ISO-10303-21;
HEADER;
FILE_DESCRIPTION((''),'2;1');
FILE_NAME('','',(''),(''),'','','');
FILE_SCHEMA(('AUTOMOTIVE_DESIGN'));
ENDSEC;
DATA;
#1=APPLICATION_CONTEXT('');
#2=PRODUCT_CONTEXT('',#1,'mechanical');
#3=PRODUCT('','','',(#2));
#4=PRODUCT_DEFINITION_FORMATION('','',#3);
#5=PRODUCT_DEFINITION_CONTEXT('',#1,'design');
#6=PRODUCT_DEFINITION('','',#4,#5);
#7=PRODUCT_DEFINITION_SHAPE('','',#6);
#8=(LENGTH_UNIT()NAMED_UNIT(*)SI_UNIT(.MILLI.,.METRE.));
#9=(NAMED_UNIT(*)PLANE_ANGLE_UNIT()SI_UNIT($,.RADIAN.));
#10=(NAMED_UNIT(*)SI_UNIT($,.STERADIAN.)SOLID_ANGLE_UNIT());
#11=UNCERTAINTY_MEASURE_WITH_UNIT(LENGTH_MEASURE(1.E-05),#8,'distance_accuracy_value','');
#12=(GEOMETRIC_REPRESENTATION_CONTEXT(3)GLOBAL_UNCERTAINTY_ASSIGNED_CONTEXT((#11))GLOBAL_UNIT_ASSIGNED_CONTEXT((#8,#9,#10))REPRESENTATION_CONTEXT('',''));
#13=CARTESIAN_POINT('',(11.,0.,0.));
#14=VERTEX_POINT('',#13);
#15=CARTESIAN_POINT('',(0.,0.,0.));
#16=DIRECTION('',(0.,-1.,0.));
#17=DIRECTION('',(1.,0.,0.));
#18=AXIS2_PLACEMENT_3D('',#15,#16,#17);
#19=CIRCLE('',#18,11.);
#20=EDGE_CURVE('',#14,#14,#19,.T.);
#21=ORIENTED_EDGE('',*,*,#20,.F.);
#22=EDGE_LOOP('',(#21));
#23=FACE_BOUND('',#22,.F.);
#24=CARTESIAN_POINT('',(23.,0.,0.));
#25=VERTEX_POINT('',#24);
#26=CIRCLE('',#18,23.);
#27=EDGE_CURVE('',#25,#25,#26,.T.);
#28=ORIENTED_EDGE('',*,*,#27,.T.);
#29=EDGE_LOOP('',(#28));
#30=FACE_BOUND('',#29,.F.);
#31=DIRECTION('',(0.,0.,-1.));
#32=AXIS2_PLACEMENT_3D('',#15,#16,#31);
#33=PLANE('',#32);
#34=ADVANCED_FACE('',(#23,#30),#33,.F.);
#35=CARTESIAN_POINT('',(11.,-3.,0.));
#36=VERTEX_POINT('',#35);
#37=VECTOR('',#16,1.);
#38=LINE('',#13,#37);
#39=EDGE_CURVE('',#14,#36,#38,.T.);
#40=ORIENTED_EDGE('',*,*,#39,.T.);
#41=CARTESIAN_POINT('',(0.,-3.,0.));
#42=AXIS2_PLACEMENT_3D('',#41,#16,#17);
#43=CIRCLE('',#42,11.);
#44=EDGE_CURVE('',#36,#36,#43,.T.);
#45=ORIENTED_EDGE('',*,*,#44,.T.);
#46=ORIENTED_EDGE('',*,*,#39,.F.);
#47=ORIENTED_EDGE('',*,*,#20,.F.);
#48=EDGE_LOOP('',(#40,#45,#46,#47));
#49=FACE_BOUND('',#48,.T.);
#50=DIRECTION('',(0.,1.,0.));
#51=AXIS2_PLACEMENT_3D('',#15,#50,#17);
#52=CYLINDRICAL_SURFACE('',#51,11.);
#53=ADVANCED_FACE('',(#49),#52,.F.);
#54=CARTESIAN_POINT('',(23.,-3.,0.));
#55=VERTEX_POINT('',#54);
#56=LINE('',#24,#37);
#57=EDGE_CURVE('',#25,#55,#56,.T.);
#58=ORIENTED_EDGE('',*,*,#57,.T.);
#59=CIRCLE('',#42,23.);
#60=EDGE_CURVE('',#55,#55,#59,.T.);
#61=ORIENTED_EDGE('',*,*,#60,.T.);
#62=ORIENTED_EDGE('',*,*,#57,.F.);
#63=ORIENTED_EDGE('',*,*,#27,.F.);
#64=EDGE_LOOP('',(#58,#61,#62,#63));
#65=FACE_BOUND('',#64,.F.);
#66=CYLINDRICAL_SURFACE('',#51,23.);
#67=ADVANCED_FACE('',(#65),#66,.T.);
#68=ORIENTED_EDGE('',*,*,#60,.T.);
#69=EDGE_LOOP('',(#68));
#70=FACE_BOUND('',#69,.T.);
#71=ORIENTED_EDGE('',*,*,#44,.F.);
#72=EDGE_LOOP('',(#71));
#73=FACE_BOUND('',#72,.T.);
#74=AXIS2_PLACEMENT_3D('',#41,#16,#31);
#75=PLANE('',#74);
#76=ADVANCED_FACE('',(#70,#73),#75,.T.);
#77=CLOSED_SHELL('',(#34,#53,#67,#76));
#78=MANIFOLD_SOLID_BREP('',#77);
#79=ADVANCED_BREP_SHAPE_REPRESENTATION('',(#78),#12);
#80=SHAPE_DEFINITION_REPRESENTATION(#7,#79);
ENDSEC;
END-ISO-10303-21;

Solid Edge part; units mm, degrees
sketch "Sketch1" plane through (0, 0, 0) normal (0, -1, 0) x (1, 0, 0)
  circle A0 centre (0, 0) radius 11
  circle A1 centre (0, 0) radius 23
extrude "Protrusion1" add sketch "Sketch1" along normal blind 3
